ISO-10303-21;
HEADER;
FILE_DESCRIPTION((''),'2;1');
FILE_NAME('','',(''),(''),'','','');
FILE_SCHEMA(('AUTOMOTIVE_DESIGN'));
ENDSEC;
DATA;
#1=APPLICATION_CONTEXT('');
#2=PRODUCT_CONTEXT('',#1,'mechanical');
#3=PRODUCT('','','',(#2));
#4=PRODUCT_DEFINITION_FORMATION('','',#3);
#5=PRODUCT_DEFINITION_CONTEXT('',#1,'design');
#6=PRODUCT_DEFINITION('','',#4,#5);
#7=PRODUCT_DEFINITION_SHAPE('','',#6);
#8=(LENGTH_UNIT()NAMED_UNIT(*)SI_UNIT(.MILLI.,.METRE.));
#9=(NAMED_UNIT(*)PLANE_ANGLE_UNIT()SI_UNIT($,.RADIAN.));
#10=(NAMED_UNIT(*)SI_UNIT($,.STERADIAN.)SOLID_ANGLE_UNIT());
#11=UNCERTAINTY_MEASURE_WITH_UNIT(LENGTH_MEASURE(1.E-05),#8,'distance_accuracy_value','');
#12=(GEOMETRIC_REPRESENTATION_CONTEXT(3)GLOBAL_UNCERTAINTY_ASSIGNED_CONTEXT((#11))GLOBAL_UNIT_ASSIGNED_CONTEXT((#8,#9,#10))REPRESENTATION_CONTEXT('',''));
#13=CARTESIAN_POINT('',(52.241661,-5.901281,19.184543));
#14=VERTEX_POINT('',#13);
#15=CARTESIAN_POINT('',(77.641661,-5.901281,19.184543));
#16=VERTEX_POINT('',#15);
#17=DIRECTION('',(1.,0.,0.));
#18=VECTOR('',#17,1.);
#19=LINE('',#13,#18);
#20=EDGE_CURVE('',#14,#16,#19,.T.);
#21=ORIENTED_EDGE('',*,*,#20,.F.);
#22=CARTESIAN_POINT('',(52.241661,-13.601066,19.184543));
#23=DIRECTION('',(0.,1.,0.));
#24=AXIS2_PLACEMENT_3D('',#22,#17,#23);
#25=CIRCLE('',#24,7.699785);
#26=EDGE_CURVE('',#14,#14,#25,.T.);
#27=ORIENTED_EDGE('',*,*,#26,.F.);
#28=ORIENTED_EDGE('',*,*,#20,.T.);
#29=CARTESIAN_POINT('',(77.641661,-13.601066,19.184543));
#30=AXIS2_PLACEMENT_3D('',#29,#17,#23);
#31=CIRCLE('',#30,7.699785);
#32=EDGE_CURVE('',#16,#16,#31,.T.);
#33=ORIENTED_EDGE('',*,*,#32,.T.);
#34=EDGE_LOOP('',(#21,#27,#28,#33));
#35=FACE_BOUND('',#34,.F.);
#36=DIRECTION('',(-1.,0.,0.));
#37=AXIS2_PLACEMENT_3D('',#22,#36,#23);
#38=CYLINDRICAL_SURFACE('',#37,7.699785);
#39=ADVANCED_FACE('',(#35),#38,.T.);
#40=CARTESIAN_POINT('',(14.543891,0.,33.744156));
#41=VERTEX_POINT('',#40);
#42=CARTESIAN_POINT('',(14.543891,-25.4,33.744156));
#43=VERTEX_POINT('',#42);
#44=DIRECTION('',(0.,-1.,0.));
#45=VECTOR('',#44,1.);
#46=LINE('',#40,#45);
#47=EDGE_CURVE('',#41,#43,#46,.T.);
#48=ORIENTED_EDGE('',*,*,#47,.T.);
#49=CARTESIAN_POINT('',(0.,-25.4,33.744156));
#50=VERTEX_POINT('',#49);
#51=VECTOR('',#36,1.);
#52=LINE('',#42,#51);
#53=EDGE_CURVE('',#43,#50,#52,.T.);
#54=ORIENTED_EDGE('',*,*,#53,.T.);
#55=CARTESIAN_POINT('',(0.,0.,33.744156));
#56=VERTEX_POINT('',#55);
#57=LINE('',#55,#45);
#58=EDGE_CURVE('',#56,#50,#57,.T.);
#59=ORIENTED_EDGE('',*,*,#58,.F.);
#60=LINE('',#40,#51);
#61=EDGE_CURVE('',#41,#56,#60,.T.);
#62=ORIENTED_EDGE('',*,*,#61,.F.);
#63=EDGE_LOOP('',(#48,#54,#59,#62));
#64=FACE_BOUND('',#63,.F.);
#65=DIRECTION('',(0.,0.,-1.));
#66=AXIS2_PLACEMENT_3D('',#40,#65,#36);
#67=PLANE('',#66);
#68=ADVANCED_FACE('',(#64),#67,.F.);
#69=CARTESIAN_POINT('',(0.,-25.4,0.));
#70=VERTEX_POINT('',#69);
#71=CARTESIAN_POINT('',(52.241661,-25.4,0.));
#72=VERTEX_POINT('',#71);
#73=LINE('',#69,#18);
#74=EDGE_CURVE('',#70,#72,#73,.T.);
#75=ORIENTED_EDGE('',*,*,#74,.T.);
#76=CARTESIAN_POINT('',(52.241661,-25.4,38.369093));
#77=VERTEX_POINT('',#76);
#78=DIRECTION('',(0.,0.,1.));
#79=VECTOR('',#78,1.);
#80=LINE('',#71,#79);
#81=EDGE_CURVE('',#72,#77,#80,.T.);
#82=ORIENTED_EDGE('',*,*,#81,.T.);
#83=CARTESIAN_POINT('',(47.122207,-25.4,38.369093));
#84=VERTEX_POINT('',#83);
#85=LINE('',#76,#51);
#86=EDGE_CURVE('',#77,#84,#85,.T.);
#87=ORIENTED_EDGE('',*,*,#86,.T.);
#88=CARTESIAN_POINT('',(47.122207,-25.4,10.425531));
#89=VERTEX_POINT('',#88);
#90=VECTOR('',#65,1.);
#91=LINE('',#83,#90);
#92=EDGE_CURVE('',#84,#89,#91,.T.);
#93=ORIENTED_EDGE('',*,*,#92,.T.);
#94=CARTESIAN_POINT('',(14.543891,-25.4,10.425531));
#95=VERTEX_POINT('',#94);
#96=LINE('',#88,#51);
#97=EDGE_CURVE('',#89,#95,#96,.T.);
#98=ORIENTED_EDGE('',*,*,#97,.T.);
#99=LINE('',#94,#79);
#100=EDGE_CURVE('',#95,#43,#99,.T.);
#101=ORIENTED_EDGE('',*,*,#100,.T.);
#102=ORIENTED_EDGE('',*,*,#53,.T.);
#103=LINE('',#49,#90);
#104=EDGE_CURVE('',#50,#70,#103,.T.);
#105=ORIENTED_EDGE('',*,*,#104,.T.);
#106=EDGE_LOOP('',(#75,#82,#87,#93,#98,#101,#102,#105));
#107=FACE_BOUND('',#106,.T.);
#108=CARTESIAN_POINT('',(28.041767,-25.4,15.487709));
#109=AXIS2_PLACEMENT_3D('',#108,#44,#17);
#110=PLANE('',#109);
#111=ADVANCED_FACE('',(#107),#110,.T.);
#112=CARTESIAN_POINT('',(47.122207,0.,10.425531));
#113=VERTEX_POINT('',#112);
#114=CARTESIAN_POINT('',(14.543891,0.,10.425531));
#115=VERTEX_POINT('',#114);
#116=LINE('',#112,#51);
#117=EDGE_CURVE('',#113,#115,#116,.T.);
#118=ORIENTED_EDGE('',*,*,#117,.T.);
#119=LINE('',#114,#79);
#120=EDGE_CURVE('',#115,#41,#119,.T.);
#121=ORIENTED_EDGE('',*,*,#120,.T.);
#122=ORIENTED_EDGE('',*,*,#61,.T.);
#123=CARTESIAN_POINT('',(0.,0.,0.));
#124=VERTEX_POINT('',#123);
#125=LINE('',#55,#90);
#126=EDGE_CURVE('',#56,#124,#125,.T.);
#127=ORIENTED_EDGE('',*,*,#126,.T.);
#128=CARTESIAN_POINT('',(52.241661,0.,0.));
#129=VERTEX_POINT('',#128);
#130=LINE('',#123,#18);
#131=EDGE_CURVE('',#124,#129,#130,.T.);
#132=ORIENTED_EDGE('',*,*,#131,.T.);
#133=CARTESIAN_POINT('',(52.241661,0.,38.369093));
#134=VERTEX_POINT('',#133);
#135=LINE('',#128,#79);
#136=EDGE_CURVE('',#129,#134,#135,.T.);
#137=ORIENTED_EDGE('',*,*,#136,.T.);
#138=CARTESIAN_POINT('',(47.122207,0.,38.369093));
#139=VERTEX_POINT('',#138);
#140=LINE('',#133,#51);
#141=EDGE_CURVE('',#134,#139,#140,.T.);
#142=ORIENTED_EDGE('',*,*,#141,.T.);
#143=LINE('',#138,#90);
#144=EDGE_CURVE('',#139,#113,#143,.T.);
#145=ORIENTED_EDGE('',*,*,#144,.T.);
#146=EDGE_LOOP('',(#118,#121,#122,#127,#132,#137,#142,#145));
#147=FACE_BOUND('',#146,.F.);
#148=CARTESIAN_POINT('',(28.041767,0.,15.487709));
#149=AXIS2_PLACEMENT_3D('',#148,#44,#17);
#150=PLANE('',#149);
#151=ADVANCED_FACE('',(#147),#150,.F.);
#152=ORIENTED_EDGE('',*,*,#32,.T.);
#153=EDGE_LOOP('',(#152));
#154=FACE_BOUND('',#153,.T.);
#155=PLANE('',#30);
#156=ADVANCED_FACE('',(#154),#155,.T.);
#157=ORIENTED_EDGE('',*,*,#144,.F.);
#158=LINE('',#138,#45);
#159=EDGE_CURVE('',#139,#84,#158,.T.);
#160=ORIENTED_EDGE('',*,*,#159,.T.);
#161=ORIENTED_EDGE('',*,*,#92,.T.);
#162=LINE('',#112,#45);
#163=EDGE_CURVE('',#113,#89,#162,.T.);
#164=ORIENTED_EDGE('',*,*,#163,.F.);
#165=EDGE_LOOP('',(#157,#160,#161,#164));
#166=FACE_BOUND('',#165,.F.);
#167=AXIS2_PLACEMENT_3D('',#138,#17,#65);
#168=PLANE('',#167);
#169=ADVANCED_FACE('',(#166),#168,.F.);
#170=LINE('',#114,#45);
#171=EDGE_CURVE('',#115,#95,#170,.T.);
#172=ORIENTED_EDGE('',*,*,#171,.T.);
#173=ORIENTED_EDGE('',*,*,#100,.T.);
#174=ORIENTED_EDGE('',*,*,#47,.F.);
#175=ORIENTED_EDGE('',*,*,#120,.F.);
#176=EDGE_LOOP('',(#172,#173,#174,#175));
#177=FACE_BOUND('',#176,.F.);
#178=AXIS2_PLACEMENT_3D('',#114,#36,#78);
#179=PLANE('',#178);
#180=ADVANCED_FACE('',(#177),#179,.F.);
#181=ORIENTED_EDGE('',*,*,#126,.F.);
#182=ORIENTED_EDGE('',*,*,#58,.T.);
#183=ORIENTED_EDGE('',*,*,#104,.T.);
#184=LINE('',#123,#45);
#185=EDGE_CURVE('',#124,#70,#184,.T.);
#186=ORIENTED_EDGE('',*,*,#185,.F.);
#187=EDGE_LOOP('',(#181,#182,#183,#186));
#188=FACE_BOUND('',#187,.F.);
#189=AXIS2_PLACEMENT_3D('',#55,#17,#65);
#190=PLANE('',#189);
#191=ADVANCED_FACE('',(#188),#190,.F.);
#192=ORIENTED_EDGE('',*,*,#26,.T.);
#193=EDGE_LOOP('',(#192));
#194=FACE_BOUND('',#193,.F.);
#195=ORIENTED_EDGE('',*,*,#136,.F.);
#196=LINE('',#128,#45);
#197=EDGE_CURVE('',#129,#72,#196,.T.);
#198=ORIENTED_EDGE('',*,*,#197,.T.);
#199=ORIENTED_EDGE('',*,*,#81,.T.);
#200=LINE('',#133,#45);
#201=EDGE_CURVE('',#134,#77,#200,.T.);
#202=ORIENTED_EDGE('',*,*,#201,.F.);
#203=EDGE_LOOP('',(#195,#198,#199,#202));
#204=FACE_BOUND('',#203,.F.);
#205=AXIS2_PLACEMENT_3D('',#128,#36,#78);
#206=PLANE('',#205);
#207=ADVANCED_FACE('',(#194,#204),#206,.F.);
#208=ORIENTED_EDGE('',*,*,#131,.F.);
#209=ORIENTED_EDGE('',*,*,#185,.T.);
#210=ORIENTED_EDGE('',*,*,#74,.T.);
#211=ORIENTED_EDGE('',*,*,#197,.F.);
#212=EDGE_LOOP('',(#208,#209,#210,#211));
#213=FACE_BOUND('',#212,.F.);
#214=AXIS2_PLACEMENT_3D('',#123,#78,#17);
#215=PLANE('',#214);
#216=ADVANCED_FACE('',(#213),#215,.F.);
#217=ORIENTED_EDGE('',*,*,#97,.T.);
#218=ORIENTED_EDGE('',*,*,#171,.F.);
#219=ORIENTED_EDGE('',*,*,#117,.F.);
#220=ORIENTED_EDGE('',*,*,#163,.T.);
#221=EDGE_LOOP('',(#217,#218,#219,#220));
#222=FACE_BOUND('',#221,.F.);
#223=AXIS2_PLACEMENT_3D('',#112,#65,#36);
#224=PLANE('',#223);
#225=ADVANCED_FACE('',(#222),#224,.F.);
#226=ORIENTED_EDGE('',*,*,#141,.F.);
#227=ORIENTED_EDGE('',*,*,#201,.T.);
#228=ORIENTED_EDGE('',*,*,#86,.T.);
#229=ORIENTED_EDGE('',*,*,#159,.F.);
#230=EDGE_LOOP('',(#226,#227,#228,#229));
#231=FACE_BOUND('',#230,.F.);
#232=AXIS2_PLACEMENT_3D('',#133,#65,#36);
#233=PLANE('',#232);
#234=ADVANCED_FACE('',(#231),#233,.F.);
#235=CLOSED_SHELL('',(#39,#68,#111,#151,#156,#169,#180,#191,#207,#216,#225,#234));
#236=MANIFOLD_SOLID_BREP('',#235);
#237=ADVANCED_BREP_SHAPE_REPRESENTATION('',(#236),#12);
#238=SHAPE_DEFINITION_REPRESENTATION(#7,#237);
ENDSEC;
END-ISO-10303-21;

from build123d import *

# Parameters (mm, degrees)
F1_DEPTH = 25.4
F2_R     = 7.699785
F3_DEPTH = 25.4


with BuildPart() as f1:
    # F0 (on Front) → F1 (new body)
    with BuildSketch(Plane.XZ):
        Polygon((0, 33.744156), (0, 0), (52.241661, 0), (52.241661, 38.369093), (47.122207, 38.369093), (47.122207, 10.425531), (14.543891, 10.425531), (14.543891, 33.744156), align=None)
    extrude(amount=F1_DEPTH)

    # F2 (on face) → F3 (join)
    with BuildSketch(Plane.YZ.offset(52.241661)):
        with Locations((-13.601066, 19.184543)):
            Circle(F2_R)
    extrude(amount=F3_DEPTH)


solid = f1.part
